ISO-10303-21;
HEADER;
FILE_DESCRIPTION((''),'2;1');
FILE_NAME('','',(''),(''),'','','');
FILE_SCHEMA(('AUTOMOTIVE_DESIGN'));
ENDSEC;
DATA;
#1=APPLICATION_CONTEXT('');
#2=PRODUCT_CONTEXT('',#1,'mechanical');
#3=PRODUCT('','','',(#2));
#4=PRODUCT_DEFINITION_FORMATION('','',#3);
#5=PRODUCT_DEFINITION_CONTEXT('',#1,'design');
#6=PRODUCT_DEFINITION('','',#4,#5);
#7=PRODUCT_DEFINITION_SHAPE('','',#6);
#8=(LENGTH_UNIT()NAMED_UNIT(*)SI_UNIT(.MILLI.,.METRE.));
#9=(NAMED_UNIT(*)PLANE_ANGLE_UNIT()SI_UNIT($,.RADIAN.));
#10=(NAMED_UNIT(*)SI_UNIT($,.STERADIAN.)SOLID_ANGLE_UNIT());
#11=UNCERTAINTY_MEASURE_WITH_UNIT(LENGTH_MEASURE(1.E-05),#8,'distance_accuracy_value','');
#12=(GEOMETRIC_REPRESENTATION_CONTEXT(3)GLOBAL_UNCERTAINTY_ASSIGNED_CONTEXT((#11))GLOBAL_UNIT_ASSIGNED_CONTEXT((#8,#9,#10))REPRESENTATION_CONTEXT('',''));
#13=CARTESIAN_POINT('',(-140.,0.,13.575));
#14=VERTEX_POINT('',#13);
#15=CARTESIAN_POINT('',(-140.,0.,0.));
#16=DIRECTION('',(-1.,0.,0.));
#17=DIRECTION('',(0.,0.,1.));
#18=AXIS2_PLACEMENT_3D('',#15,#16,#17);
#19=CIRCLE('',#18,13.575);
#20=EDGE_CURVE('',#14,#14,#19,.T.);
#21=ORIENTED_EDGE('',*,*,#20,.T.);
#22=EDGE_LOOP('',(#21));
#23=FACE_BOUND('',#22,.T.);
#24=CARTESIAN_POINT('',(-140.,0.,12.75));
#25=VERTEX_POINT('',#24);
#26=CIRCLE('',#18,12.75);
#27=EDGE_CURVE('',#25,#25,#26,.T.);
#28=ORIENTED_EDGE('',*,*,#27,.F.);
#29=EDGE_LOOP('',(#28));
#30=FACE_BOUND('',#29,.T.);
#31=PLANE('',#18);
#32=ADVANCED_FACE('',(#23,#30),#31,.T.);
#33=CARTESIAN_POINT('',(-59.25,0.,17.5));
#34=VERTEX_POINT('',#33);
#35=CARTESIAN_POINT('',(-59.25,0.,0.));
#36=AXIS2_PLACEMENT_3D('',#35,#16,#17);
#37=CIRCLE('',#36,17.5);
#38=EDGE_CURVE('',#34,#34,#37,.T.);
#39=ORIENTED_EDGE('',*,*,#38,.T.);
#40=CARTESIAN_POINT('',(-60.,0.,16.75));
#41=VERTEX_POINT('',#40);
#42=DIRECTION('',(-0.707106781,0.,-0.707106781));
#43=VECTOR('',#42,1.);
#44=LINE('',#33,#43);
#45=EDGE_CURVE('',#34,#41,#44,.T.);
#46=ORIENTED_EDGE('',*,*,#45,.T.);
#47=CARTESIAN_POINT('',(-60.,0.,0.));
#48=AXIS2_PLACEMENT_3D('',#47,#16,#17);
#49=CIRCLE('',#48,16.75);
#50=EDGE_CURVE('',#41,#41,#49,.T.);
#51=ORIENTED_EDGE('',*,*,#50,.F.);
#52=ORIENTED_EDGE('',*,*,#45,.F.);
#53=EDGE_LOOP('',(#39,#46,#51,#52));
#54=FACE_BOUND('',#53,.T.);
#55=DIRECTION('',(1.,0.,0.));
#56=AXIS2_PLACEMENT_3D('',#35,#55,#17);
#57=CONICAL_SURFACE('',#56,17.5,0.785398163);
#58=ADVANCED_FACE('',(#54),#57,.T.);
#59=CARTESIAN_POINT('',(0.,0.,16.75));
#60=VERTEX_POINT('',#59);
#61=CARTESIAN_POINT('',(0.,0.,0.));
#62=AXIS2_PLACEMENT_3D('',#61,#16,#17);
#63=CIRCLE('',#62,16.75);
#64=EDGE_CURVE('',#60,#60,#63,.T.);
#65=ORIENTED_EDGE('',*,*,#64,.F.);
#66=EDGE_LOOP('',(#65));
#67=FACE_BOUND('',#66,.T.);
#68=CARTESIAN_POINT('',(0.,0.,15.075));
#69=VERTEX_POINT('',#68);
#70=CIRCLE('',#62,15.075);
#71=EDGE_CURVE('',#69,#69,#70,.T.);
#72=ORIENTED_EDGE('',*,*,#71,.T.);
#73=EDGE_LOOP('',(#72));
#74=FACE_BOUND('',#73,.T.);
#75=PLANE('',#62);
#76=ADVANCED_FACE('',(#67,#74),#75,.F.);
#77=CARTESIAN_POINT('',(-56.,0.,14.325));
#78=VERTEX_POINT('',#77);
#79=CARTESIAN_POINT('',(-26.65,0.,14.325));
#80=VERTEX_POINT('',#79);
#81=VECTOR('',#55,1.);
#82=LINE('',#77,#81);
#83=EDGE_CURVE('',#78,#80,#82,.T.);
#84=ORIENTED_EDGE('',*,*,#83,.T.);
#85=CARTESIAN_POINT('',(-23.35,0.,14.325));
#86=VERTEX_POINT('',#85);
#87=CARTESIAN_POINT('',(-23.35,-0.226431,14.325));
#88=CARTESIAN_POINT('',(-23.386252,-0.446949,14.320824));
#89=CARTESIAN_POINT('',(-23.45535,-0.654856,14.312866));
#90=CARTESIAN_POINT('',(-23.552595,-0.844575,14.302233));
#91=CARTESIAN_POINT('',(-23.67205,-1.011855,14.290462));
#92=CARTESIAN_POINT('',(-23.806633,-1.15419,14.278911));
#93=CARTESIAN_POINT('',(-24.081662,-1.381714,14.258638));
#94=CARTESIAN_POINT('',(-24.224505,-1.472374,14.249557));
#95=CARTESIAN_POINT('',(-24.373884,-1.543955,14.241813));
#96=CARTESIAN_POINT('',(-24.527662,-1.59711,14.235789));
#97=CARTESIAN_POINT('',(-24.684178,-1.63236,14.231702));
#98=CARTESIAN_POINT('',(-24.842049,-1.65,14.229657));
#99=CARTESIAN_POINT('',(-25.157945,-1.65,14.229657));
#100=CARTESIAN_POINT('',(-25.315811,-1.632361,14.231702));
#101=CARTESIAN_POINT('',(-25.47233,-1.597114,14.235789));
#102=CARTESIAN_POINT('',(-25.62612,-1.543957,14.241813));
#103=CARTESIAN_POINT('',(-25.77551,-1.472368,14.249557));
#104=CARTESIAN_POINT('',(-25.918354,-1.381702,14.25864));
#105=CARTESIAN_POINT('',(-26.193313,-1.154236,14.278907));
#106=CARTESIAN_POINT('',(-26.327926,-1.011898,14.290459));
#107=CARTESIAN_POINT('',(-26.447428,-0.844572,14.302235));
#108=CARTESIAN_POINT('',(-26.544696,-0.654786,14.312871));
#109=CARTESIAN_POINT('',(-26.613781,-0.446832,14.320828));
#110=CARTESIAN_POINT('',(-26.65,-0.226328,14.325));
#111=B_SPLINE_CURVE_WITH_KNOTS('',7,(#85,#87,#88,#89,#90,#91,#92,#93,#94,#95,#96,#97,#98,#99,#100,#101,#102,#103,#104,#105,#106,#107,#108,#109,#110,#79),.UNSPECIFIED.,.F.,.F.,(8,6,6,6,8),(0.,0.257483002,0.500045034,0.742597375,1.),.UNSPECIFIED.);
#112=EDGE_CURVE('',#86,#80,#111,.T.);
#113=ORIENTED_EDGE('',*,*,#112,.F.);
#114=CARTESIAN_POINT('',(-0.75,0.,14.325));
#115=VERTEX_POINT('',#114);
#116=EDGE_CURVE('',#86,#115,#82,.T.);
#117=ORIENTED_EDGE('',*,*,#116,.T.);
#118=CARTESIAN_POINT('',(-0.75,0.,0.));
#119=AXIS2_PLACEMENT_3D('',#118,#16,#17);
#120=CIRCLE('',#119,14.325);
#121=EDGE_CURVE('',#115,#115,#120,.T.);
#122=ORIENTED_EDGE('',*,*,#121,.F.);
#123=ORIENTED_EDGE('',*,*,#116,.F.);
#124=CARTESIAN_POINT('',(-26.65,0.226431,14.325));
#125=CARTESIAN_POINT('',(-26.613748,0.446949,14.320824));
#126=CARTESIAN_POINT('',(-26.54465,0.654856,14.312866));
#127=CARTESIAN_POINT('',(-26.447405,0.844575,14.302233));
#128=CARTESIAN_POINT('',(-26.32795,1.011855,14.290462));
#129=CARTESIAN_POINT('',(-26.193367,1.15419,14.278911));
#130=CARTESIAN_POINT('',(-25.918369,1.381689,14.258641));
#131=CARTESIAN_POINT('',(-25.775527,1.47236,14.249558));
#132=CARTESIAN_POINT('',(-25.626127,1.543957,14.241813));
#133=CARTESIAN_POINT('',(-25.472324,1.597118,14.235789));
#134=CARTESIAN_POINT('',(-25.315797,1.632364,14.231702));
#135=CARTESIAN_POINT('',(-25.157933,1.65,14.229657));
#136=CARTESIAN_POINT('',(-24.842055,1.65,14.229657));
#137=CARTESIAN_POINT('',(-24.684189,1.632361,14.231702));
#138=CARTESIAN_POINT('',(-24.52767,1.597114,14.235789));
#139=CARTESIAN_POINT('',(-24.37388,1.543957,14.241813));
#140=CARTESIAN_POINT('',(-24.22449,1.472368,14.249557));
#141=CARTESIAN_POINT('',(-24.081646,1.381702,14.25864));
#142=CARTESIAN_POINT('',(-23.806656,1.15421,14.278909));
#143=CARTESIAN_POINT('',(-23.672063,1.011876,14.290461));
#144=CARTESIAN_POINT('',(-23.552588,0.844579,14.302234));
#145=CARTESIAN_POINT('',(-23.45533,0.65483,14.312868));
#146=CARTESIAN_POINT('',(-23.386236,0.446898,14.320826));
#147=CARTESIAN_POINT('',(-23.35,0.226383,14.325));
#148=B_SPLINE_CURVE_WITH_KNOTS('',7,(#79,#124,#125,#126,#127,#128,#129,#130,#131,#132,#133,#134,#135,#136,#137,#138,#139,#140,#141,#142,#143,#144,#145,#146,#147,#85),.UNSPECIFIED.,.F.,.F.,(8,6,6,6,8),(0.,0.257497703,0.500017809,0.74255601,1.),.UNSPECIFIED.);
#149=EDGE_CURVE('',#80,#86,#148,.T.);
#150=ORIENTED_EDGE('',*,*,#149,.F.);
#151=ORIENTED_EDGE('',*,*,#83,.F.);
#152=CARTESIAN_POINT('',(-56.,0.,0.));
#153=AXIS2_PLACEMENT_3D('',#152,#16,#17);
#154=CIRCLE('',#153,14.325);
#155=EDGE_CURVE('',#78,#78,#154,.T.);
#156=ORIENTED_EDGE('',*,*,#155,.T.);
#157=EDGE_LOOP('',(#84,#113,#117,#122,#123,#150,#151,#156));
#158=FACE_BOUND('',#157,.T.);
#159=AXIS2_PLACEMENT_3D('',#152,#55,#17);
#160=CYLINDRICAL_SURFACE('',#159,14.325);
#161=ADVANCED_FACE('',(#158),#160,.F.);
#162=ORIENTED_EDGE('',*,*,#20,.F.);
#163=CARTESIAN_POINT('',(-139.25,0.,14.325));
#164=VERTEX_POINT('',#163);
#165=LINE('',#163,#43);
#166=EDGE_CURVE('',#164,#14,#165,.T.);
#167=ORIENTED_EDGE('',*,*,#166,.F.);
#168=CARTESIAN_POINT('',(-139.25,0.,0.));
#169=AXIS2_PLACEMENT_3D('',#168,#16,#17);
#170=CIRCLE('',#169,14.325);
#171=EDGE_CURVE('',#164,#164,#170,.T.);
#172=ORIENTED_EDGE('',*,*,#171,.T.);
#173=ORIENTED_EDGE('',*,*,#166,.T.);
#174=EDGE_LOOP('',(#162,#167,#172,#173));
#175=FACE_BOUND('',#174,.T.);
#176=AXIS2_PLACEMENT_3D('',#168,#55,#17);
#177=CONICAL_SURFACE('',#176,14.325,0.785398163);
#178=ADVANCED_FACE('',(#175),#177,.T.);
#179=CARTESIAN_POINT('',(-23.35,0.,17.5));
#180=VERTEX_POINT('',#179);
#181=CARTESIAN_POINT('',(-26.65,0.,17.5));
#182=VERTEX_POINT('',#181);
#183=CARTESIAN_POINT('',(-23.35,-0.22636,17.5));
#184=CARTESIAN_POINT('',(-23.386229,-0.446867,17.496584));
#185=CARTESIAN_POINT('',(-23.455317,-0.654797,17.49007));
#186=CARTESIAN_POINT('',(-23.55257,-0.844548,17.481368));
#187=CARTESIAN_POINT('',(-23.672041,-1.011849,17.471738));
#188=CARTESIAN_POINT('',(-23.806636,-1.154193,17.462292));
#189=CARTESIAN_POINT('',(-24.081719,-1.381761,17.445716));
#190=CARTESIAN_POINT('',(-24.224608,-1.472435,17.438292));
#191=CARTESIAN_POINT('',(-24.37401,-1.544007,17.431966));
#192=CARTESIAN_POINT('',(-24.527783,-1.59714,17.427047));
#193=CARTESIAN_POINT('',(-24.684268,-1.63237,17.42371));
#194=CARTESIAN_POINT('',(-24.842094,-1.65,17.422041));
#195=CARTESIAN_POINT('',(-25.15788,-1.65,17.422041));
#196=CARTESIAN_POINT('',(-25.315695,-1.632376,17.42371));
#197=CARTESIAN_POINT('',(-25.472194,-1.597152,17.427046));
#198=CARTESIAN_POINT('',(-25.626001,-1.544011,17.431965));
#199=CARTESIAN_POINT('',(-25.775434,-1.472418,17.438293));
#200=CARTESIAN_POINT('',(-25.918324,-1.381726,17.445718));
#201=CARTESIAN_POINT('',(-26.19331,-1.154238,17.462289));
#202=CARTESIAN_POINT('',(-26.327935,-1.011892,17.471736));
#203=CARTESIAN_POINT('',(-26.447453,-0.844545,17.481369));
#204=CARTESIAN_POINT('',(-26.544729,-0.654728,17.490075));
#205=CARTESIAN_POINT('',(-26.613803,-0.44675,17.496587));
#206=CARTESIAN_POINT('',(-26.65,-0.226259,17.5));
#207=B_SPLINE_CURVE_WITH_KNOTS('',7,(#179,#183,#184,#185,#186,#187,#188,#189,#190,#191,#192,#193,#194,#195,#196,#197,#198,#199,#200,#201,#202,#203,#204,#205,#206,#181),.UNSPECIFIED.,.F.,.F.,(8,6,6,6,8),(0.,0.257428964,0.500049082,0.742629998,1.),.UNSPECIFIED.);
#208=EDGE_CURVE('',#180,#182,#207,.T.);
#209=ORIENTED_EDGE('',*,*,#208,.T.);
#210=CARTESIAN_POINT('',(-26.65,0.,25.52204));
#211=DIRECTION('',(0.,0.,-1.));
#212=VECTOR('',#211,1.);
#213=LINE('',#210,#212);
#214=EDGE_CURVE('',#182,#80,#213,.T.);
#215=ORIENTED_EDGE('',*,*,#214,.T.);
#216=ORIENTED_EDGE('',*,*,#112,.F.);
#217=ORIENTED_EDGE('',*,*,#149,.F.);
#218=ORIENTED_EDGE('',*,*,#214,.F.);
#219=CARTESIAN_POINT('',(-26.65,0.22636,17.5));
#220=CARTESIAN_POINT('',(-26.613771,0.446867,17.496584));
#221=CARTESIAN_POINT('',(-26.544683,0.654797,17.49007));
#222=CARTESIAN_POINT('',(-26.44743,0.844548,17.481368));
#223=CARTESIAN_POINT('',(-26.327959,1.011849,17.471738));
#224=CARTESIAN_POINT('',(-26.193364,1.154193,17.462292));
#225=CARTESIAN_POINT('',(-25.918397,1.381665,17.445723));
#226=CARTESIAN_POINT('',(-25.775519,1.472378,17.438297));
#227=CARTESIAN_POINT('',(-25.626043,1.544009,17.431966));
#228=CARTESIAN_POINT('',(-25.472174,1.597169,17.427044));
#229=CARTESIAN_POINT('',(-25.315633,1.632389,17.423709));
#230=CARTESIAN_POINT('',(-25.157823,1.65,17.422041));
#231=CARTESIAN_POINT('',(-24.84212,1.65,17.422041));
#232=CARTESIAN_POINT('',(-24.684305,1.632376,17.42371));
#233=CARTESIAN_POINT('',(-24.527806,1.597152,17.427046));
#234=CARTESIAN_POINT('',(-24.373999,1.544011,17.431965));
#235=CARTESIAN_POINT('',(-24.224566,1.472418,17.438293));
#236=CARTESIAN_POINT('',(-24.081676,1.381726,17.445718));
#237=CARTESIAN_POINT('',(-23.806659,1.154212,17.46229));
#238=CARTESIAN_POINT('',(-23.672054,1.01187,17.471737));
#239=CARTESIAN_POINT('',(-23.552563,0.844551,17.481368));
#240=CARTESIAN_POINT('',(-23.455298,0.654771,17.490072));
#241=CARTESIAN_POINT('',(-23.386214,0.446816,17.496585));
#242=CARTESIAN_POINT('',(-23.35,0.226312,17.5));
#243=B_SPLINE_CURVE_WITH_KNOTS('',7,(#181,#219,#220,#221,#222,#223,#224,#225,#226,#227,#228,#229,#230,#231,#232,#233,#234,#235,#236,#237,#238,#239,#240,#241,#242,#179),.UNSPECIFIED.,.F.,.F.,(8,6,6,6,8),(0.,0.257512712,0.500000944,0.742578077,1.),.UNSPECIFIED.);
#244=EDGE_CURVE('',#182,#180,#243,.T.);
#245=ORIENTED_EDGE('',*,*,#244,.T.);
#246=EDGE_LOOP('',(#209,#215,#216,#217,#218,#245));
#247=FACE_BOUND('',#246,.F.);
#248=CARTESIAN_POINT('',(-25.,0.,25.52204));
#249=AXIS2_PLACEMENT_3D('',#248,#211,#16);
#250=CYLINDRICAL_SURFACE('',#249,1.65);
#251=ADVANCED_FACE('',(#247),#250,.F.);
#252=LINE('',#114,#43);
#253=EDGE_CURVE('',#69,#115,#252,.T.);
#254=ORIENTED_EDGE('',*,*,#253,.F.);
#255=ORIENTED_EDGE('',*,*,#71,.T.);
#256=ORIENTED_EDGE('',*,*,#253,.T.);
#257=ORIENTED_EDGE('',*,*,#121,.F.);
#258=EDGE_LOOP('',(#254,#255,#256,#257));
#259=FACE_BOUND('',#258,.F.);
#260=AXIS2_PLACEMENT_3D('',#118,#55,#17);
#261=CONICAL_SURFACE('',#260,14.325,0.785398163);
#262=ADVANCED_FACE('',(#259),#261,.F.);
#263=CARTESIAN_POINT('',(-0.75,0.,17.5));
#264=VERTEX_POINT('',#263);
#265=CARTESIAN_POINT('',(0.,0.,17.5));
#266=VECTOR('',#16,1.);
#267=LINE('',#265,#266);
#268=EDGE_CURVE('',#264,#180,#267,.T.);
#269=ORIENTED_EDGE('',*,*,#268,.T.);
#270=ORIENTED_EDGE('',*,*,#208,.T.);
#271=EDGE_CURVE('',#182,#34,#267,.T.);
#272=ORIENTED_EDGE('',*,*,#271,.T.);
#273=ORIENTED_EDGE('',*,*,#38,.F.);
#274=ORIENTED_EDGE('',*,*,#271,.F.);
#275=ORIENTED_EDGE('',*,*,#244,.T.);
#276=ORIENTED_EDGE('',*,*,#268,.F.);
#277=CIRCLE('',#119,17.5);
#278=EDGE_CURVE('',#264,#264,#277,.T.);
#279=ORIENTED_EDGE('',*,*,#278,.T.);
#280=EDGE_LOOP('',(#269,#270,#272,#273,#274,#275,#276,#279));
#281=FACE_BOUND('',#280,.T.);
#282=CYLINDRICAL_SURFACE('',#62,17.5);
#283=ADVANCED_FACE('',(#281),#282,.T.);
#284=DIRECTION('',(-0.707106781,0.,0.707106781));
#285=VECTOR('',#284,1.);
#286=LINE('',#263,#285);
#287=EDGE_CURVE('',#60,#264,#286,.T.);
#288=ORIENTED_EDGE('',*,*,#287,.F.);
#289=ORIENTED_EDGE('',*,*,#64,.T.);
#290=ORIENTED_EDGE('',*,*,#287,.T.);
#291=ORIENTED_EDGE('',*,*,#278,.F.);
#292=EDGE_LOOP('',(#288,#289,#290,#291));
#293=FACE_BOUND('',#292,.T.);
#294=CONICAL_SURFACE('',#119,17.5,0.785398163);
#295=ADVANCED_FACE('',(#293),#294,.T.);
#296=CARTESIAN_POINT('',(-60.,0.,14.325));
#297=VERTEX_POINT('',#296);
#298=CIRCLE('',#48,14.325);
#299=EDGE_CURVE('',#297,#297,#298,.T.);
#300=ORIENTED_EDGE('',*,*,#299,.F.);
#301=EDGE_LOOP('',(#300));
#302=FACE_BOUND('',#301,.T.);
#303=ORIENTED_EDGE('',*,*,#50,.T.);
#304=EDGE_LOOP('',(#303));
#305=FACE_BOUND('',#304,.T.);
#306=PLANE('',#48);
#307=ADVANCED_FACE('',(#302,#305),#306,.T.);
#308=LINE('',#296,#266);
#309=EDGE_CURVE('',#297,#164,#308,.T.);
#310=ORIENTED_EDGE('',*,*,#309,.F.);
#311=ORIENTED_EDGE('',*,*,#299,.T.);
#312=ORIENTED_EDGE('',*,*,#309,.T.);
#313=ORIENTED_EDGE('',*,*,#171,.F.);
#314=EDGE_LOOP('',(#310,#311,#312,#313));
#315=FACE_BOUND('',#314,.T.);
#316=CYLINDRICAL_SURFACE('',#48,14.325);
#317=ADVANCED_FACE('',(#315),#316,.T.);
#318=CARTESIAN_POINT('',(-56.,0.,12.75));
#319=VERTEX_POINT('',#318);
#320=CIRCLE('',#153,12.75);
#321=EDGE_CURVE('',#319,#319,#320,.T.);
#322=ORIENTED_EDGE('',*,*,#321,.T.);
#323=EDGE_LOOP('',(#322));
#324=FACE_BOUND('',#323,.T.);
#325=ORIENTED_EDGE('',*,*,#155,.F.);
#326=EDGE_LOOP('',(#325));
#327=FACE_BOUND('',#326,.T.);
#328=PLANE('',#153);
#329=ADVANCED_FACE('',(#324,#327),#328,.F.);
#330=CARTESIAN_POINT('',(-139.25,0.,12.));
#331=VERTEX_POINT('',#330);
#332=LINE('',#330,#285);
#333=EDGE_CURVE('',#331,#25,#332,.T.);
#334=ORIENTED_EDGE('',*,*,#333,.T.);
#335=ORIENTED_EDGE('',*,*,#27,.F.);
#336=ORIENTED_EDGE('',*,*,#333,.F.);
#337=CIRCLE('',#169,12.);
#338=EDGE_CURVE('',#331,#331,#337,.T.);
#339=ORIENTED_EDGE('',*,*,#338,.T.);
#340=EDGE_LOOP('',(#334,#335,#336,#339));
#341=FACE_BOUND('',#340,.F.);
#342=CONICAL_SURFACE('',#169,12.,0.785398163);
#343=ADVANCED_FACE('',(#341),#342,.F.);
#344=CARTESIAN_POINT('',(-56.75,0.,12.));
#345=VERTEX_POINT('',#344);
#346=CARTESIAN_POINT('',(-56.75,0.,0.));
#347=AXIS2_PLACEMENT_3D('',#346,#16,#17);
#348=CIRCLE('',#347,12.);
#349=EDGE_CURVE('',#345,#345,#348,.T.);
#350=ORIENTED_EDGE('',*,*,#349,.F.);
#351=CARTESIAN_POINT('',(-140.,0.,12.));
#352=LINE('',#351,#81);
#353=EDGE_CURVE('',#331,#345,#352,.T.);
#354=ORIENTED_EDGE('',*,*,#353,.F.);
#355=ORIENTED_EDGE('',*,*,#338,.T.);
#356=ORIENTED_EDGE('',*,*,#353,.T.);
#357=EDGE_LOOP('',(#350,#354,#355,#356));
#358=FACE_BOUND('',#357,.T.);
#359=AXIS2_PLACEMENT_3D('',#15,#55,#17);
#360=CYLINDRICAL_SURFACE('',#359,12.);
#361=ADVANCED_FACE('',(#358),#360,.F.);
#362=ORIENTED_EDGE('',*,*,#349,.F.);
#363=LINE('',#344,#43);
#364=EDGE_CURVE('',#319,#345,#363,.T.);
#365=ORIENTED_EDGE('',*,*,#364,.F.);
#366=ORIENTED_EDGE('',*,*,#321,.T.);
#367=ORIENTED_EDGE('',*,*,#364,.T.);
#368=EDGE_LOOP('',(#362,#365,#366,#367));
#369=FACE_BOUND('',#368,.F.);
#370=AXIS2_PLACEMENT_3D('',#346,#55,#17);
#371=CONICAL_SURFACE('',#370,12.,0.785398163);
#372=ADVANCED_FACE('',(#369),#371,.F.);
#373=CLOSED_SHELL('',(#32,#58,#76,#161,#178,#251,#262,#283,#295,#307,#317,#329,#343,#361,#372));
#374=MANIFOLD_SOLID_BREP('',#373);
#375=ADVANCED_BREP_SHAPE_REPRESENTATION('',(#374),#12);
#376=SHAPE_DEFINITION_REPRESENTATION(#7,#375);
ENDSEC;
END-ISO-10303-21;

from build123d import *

# Parameters (mm, degrees)
F4_D     = 3.3
F4_DEPTH = 8.1
F4_START = 0.0779595
F4_TIP   = 0.9914200214
F5_SIZE  = 0.75


with BuildPart() as f1:
    # F0 (on Front) → F1 (revolve)
    with BuildSketch(Plane.XZ):
        Polygon((0, 14.325), (0, 17.5), (-60, 17.5), (-60, 14.325), (-140, 14.325), (-140, 12), (-56, 12), (-56, 14.325), align=None)
    revolve(axis=Axis((-73.5066011898, 0, 0), (-1, 0, 0)))

    # F4
    # its depths count from where the whole tool has entered the part; down to there all is cleared
    with Locations(Plane.XY.offset(17.5).offset(-F4_START)):
        with Locations((-25, 0)):
            Hole(F4_D / 2, depth=F4_DEPTH)
            with Locations((0, 0, -(F4_DEPTH + F4_TIP / 2))):  # 118° drill point
                Cone(0, F4_D / 2, F4_TIP, mode=Mode.SUBTRACT)

    # F5
    f5_edges = [f1.edges().sort_by_distance(p)[0] for p in [
        (-140, 0, -14.325),
        (-140, 0, -12),
        (-60, 0, -17.5),
        (0, 0, -17.5),
        (0, 0, -14.325),
        (-56, 0, -12),
    ]]
    chamfer(f5_edges, length=F5_SIZE)


solid = f1.part
